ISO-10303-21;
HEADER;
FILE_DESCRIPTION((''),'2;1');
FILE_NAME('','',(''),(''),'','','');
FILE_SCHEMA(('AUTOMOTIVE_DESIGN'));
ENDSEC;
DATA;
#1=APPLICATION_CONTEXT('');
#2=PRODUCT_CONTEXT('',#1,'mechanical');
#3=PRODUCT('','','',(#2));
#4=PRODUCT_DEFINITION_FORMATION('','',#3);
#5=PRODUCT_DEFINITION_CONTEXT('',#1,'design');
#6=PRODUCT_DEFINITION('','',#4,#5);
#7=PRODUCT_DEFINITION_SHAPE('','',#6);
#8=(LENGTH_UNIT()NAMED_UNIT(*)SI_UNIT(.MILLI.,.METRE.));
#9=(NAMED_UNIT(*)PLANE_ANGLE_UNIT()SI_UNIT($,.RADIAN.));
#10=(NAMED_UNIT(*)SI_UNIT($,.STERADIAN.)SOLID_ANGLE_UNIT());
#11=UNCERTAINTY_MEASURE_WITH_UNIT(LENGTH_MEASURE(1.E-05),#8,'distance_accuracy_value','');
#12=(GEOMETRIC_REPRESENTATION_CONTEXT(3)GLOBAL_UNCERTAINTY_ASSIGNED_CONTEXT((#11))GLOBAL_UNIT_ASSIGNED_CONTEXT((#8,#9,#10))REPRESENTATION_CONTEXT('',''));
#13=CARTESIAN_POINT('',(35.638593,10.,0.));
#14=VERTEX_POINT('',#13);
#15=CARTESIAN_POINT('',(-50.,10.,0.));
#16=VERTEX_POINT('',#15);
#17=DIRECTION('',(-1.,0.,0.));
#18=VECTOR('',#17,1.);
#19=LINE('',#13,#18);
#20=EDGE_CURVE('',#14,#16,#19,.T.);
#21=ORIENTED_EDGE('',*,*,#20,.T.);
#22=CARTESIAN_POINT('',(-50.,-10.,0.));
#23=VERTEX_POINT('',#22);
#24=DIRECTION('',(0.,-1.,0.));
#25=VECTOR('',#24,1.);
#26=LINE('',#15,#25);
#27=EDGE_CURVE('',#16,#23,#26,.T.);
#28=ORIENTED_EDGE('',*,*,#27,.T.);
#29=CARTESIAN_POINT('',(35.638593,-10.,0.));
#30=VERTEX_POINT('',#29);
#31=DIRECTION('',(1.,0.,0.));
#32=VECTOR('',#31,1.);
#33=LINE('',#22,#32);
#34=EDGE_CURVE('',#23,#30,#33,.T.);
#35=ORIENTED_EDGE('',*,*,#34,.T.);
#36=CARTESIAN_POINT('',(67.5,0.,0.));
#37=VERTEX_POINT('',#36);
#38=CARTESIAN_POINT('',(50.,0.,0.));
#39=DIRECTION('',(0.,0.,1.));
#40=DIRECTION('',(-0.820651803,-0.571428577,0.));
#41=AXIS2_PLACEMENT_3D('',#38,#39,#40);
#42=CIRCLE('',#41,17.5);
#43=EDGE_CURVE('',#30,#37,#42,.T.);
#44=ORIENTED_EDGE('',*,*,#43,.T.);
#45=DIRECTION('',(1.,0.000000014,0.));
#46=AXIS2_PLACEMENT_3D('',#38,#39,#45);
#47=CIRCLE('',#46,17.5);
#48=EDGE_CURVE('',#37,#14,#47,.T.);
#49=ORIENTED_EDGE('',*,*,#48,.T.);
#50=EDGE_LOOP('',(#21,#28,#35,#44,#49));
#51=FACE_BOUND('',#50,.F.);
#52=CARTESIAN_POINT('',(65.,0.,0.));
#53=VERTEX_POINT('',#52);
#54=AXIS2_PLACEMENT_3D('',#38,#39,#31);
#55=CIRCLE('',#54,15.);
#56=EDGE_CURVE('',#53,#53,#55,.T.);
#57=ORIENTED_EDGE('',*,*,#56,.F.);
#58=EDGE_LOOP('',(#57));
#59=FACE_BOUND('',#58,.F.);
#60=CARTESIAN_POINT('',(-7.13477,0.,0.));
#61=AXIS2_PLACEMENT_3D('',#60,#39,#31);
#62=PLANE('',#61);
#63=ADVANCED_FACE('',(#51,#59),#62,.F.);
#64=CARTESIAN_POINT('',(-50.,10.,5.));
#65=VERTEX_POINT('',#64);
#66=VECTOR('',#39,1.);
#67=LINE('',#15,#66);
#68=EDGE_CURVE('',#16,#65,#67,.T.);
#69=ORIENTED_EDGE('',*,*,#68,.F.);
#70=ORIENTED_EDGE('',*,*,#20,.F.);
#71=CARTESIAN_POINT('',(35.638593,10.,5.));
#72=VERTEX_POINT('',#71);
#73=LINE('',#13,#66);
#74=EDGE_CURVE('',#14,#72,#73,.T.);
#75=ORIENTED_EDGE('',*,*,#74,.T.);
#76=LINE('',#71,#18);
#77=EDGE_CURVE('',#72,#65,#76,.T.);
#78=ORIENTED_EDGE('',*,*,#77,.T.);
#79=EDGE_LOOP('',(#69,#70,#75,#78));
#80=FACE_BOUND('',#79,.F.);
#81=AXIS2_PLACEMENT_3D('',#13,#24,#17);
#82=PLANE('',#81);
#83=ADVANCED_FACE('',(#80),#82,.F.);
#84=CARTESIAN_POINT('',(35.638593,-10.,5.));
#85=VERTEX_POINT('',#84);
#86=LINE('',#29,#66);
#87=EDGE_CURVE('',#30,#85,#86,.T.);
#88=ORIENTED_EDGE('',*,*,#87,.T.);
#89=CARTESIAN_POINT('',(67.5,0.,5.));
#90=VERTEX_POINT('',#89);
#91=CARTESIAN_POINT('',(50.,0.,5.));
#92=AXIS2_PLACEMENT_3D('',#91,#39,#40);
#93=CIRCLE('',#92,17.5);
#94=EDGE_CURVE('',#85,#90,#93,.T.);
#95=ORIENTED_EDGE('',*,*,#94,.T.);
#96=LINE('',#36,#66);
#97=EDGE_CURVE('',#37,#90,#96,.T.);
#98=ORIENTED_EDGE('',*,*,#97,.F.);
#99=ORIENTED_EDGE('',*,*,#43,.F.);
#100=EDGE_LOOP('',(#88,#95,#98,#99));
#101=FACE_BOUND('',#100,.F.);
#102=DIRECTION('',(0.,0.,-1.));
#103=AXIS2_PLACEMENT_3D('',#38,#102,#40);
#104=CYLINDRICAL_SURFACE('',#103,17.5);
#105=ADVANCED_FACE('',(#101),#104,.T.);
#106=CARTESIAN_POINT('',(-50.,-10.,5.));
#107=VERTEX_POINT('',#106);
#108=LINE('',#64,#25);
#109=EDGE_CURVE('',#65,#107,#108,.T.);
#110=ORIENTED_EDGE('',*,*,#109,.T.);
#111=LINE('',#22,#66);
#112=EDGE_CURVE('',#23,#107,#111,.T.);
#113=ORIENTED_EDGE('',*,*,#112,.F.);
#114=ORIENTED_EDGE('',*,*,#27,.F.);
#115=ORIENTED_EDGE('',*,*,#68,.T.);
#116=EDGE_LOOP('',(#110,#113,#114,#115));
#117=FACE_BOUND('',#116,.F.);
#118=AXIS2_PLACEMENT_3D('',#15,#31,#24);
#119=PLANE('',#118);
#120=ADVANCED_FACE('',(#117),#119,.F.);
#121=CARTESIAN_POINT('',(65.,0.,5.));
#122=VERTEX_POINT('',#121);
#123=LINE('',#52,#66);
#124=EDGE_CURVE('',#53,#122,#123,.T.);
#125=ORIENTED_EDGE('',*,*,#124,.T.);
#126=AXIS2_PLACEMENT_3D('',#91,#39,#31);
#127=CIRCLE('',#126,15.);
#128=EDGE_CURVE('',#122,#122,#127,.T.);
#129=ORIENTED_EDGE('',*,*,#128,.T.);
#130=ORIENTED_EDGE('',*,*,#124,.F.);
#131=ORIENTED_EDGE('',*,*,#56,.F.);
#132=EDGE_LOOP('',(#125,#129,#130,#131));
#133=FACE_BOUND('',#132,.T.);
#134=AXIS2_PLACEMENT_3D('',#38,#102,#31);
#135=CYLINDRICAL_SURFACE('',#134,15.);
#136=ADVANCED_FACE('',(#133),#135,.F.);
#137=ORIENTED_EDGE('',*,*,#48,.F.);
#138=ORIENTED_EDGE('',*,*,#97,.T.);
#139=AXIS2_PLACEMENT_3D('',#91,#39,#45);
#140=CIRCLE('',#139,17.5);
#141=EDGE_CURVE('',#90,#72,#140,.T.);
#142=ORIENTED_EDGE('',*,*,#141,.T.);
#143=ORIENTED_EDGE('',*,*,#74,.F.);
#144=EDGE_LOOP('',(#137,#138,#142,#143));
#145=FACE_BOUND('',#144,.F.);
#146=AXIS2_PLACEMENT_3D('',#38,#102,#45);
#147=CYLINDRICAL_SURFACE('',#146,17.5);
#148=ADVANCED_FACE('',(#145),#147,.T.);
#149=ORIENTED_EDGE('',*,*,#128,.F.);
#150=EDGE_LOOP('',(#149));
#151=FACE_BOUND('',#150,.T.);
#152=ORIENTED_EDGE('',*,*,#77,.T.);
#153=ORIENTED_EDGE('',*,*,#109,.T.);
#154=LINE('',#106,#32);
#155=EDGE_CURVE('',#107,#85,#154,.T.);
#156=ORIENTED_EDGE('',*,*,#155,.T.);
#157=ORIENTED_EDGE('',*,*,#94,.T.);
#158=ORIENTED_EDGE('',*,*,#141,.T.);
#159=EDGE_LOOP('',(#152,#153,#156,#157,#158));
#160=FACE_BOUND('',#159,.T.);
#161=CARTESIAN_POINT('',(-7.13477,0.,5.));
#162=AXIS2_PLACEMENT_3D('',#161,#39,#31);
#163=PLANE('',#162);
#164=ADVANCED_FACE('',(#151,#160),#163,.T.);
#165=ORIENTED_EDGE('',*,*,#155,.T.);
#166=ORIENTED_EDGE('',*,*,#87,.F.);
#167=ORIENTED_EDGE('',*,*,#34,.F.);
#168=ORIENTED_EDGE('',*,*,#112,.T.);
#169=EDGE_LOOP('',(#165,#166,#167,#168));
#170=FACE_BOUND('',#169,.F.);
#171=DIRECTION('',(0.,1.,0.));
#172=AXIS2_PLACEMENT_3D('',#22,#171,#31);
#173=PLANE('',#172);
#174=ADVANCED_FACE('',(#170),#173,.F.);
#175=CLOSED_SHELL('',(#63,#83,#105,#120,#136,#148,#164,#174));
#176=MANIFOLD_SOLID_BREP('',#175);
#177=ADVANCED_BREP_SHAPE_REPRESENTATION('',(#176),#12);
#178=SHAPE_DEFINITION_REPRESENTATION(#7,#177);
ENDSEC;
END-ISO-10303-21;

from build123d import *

# Parameters (mm, degrees)
F0_R     = 15
F1_DEPTH = 5


with BuildPart() as f1:
    # F0 (on Top) → F1 (new body)
    with BuildSketch(Plane.XY):
        with BuildLine():
            Line((35.638593, 10), (-50, 10))
            Line((-50, 10), (-50, -10))
            Line((-50, -10), (35.638593, -10))
            ThreePointArc((35.638593, -10), (32.5, 0), (35.638593, 10))
        make_face()
        with BuildLine():
            ThreePointArc((67.5, 0), (55.240486, 16.696925), (35.638593, 10))
            ThreePointArc((35.638593, 10), (32.5, 0), (35.638593, -10))
            ThreePointArc((35.638593, -10), (55.240486, -16.696925), (67.5, 0))
        make_face()
        with Locations((50, 0)):
            Circle(F0_R, mode=Mode.SUBTRACT)
    extrude(amount=F1_DEPTH)


solid = f1.part
